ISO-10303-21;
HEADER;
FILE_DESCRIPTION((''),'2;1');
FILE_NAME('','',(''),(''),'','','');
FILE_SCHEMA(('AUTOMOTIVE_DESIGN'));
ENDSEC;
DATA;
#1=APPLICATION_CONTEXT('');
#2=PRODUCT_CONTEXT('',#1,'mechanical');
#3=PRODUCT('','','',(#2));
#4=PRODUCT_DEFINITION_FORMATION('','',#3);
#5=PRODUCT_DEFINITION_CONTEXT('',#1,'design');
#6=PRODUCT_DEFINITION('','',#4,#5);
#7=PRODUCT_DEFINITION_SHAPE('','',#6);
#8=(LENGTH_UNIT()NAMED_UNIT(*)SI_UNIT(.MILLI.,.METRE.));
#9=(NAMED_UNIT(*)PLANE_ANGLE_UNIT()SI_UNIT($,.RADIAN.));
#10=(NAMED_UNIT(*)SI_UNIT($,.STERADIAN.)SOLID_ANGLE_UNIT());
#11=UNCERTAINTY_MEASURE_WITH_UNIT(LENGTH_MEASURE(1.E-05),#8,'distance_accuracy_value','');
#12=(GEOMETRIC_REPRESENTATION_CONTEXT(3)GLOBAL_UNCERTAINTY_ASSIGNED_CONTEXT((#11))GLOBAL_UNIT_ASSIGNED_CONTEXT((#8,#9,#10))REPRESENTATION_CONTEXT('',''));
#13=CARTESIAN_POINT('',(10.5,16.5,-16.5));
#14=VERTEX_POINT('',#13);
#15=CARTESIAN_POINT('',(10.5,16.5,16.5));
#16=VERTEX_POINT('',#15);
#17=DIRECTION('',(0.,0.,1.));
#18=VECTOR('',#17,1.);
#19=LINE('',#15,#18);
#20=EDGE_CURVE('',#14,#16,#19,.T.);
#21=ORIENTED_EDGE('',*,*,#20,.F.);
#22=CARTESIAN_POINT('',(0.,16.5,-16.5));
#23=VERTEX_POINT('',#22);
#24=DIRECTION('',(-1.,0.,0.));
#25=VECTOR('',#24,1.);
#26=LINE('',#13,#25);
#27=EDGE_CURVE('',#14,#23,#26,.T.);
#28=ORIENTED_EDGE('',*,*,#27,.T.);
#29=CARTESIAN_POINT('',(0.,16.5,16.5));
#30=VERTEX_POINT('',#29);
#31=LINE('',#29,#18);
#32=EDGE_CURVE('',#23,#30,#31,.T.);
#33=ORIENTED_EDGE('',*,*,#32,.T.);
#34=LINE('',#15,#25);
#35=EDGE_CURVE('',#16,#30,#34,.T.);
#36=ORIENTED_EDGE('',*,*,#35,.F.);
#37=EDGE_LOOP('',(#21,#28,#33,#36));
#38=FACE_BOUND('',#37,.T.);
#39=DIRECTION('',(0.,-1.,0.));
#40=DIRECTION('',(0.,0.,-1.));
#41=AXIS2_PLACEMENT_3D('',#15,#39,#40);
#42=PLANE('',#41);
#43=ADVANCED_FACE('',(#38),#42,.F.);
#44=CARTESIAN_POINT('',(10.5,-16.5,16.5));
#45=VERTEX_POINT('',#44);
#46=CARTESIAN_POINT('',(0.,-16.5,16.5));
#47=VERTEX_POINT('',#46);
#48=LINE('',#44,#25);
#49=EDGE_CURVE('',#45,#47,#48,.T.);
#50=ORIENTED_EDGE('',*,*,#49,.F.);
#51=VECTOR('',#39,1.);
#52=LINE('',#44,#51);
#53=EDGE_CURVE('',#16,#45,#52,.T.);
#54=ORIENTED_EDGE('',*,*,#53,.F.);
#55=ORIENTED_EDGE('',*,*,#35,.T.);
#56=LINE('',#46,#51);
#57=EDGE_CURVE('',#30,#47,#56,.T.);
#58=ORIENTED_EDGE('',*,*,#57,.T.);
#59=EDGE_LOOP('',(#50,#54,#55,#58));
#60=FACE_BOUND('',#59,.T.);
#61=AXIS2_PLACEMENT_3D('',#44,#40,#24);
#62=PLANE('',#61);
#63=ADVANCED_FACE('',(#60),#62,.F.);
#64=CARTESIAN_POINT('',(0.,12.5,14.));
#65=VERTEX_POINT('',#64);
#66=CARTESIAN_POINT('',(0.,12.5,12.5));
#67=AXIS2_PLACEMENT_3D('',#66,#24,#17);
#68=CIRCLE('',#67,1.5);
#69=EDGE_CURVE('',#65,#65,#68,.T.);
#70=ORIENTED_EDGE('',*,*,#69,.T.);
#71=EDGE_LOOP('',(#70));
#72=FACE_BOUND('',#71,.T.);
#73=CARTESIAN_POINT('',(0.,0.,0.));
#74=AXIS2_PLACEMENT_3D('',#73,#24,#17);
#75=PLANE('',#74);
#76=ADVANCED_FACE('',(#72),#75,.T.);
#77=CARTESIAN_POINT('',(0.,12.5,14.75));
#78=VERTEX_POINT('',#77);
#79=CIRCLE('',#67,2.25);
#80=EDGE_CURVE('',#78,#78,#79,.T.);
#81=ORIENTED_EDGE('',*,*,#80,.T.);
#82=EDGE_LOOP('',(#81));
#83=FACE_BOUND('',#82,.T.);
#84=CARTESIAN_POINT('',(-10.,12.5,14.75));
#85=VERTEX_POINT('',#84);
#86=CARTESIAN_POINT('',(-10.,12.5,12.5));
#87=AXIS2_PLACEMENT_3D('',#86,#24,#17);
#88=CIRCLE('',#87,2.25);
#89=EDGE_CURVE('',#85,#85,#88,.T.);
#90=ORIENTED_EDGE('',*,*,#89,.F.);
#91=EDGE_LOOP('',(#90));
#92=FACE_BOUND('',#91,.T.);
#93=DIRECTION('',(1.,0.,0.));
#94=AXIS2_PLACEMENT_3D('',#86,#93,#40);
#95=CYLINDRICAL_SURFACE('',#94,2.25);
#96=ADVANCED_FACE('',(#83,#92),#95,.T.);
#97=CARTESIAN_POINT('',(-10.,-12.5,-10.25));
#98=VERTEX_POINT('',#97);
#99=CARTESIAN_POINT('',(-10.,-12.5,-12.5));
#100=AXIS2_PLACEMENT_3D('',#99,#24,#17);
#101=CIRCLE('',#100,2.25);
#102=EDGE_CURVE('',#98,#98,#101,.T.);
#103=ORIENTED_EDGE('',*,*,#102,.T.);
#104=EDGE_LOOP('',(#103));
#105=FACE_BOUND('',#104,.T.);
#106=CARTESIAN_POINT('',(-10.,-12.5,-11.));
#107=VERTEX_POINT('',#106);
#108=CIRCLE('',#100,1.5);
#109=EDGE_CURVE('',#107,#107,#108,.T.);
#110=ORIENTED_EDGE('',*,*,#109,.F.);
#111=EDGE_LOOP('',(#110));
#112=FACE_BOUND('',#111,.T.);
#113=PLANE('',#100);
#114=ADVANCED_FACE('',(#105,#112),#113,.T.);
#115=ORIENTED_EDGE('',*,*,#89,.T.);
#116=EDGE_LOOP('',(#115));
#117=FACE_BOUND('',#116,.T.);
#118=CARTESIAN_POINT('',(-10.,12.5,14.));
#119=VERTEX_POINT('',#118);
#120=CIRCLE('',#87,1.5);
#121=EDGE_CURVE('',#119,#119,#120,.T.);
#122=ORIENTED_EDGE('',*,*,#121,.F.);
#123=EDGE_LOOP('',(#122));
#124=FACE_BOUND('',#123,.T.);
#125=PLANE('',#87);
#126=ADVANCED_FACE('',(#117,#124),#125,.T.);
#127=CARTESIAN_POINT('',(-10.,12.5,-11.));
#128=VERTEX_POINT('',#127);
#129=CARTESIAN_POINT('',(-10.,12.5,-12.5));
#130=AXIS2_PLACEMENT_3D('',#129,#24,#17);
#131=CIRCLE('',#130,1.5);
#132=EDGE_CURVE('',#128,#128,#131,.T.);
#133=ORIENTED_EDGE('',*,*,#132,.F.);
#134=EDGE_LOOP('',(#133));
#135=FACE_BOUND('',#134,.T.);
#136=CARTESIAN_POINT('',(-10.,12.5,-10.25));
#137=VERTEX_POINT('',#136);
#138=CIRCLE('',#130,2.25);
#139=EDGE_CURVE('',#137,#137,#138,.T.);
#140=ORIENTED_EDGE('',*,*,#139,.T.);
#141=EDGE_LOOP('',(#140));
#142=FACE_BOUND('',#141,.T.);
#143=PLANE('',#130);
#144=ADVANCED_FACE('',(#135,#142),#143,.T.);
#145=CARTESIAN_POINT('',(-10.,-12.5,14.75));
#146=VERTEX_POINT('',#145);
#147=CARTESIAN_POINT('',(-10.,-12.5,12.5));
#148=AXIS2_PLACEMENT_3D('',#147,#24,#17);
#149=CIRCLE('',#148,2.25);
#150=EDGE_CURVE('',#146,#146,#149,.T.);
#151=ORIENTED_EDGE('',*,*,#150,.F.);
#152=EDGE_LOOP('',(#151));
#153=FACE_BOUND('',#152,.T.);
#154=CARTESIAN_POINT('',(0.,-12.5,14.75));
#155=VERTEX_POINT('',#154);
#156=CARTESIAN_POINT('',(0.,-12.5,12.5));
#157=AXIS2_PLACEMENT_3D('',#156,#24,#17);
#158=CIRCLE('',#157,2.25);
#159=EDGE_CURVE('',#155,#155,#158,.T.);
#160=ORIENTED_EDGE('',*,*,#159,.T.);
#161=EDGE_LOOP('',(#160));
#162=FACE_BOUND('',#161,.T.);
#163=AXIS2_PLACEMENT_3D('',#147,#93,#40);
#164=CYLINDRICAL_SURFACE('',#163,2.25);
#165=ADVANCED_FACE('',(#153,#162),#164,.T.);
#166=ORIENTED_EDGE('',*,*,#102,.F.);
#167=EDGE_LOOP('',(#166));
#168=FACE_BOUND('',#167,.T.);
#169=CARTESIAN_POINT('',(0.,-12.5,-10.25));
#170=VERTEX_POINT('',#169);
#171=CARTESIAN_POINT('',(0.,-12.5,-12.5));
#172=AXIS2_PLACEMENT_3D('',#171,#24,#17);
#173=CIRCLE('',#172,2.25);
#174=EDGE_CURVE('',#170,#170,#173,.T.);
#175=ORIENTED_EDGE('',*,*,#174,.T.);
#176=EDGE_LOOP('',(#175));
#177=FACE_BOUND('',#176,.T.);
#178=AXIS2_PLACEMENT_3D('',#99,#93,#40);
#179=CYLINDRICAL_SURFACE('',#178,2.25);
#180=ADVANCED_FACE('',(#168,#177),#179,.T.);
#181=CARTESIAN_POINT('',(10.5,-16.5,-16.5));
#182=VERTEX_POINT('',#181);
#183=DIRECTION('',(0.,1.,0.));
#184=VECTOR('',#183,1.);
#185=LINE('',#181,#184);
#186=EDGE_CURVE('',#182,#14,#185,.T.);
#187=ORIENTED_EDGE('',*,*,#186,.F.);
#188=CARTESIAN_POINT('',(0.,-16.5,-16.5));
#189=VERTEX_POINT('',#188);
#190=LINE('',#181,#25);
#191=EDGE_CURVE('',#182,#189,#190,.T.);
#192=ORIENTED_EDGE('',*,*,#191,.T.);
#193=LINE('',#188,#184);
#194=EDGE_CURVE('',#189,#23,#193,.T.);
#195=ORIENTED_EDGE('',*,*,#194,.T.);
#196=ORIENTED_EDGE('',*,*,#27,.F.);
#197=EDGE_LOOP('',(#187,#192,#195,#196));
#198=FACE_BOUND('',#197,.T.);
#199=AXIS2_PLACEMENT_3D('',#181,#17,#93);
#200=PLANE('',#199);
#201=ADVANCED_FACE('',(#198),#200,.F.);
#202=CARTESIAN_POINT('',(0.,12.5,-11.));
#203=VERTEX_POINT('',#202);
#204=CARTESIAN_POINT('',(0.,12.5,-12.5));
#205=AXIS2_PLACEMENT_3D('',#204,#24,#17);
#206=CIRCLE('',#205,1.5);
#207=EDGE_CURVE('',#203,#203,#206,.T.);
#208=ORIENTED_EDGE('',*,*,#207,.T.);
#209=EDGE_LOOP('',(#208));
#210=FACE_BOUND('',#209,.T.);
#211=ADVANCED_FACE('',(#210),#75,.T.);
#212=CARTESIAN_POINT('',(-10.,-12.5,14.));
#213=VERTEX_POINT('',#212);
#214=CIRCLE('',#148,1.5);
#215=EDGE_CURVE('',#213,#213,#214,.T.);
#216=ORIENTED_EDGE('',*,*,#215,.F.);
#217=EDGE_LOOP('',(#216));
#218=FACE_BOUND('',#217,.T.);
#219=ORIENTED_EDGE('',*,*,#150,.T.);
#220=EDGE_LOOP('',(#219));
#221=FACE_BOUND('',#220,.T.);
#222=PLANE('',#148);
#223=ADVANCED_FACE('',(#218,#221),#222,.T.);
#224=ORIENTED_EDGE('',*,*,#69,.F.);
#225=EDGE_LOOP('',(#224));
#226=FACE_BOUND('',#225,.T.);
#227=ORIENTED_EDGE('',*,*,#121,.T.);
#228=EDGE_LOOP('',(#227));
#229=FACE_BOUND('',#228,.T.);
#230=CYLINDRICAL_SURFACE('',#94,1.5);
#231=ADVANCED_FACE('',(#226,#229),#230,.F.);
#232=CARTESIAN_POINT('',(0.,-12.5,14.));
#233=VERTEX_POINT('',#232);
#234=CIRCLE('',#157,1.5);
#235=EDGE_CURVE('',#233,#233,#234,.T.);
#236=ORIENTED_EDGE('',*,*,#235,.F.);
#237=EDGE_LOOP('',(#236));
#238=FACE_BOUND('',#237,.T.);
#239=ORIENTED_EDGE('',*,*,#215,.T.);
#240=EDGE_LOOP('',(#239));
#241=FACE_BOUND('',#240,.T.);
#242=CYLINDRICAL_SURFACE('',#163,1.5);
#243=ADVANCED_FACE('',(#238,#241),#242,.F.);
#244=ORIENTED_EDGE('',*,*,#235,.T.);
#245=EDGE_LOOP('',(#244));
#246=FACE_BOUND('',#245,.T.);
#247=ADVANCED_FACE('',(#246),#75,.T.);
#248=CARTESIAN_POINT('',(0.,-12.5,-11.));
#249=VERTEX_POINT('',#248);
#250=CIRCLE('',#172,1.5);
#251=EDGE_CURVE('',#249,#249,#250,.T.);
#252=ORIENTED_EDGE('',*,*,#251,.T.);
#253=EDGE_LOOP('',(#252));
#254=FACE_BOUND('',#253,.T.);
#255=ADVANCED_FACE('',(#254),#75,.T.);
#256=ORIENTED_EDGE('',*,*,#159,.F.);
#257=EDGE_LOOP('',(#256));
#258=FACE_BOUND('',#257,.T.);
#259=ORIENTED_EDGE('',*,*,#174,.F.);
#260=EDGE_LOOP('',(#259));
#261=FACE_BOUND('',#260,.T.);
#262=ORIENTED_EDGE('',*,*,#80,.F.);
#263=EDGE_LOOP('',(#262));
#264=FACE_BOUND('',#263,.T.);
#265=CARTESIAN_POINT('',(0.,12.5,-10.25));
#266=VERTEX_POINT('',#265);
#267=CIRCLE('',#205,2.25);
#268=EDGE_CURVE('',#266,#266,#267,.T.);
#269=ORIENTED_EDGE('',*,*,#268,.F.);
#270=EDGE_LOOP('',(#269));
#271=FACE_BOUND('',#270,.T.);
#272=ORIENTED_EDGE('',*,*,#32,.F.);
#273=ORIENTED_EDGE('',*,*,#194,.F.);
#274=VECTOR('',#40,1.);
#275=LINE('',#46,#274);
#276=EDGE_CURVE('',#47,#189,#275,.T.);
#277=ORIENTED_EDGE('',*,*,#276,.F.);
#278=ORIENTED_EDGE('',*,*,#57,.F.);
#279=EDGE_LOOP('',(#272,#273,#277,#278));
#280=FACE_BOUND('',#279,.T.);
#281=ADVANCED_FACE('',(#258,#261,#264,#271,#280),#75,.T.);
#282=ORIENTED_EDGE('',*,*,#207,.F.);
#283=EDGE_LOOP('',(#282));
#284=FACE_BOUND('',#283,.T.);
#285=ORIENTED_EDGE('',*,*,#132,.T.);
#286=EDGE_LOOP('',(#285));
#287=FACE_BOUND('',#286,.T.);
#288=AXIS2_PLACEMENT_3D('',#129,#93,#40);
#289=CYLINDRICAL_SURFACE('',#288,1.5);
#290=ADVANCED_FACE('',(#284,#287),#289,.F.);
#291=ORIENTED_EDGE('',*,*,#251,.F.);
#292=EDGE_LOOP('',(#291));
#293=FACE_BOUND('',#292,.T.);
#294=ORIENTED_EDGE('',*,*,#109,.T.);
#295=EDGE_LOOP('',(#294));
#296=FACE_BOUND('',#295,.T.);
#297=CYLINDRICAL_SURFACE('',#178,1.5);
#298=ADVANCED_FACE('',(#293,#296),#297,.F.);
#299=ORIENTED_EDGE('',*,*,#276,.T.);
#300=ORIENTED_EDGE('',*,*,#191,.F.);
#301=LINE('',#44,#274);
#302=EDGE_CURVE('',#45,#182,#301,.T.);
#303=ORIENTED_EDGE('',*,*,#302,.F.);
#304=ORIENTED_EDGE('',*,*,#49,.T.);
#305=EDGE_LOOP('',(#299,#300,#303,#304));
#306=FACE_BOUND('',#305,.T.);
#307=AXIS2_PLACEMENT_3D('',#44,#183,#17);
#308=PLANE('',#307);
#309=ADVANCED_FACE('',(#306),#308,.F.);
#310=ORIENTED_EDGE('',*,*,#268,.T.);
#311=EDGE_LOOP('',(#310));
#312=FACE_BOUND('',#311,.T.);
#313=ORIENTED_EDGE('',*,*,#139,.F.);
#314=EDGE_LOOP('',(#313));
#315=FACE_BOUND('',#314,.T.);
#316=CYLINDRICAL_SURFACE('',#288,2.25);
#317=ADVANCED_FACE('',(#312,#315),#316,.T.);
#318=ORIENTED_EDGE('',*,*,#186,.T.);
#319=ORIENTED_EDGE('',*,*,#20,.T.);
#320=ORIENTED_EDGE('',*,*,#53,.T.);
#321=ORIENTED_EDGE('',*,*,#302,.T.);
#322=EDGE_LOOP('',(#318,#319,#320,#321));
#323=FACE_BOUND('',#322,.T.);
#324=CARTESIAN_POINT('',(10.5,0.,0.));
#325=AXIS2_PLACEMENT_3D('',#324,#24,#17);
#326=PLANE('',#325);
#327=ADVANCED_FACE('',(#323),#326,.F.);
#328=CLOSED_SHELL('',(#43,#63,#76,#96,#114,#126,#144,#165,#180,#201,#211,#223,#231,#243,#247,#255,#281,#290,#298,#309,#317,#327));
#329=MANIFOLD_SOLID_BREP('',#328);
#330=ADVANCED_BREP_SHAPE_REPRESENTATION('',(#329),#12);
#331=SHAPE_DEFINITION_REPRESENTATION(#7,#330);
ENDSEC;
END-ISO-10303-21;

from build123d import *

# Parameters (mm, degrees)
SKETCH1_W           = 33
SKETCH1_H           = 33
BOSS_EXTRUDE1_DEPTH = 10.5
SKETCH2_R           = 2.25
SKETCH2_R_2         = 1.5
BOSS_EXTRUDE2_DEPTH = 10


with BuildPart() as part:
    # Sketch1 → Boss-Extrude1 (new body)
    with BuildSketch(Plane(origin=(0, 0, 0), x_dir=(0, 0, -1), z_dir=(1, 0, 0))):
        Rectangle(SKETCH1_W, SKETCH1_H)
    extrude(amount=BOSS_EXTRUDE1_DEPTH)

    # Sketch2 → Boss-Extrude2 (add)
    # profile 1 of 4: a face of its own
    with BuildSketch(Plane.ZY):
        with Locations((-12.5, 12.5)):
            Circle(SKETCH2_R)
        with Locations((-12.5, 12.5)):
            Circle(SKETCH2_R_2, mode=Mode.SUBTRACT)
    # profile 2 of 4: a face of its own
    with BuildSketch(Plane.ZY):
        with Locations((-12.5, -12.5)):
            Circle(SKETCH2_R)
        with Locations((-12.5, -12.5)):
            Circle(SKETCH2_R_2, mode=Mode.SUBTRACT)
    # profile 3 of 4: a face of its own
    with BuildSketch(Plane.ZY):
        with Locations((12.5, -12.5)):
            Circle(SKETCH2_R)
        with Locations((12.5, -12.5)):
            Circle(SKETCH2_R_2, mode=Mode.SUBTRACT)
    # profile 4 of 4: a face of its own
    with BuildSketch(Plane.ZY):
        with Locations((12.5, 12.5)):
            Circle(SKETCH2_R)
        with Locations((12.5, 12.5)):
            Circle(SKETCH2_R_2, mode=Mode.SUBTRACT)
    extrude(amount=BOSS_EXTRUDE2_DEPTH)


solid = part.part
